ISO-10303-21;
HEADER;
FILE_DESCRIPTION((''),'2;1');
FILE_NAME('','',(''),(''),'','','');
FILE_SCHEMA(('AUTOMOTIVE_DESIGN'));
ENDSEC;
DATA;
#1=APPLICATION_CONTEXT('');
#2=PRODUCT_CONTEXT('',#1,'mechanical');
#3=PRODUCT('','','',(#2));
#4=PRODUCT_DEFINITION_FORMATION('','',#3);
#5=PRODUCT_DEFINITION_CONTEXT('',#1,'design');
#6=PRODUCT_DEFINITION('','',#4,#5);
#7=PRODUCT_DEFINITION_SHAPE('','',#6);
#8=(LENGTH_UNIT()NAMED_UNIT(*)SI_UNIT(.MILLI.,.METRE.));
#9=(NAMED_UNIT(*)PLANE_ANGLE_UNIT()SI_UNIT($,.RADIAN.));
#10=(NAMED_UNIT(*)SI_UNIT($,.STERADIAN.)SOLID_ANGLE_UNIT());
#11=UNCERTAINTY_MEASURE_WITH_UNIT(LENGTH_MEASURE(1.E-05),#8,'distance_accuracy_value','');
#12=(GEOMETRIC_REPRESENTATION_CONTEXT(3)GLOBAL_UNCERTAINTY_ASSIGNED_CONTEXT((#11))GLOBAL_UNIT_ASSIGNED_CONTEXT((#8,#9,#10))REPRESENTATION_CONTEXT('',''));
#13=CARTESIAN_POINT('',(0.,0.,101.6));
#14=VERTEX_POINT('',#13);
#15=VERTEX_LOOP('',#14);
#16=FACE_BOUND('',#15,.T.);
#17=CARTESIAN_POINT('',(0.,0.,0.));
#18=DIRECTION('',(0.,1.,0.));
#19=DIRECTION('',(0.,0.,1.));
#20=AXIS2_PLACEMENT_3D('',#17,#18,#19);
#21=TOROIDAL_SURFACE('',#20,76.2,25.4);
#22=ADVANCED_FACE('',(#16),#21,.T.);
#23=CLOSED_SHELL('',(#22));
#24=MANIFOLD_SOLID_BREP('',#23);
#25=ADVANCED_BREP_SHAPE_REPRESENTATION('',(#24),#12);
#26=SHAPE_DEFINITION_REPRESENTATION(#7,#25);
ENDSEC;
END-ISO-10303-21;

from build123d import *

# Parameters (mm, degrees)
SKETCH1_R = 25.4


with BuildPart() as part:
    # Sketch1 → Revolve1 (revolve)
    with BuildSketch(Plane.XY, mode=Mode.PRIVATE) as revolve1_sk:
        with Locations((76.2, 0)):
            Circle(SKETCH1_R)
    revolve(revolve1_sk.sketch.rotate(Axis((0, 34.961731778, 0), (0, -1, 0)), 90), axis=Axis((0, 34.961731778, 0), (0, -1, 0)))  # turned: the seam where the file's is


solid = part.part
